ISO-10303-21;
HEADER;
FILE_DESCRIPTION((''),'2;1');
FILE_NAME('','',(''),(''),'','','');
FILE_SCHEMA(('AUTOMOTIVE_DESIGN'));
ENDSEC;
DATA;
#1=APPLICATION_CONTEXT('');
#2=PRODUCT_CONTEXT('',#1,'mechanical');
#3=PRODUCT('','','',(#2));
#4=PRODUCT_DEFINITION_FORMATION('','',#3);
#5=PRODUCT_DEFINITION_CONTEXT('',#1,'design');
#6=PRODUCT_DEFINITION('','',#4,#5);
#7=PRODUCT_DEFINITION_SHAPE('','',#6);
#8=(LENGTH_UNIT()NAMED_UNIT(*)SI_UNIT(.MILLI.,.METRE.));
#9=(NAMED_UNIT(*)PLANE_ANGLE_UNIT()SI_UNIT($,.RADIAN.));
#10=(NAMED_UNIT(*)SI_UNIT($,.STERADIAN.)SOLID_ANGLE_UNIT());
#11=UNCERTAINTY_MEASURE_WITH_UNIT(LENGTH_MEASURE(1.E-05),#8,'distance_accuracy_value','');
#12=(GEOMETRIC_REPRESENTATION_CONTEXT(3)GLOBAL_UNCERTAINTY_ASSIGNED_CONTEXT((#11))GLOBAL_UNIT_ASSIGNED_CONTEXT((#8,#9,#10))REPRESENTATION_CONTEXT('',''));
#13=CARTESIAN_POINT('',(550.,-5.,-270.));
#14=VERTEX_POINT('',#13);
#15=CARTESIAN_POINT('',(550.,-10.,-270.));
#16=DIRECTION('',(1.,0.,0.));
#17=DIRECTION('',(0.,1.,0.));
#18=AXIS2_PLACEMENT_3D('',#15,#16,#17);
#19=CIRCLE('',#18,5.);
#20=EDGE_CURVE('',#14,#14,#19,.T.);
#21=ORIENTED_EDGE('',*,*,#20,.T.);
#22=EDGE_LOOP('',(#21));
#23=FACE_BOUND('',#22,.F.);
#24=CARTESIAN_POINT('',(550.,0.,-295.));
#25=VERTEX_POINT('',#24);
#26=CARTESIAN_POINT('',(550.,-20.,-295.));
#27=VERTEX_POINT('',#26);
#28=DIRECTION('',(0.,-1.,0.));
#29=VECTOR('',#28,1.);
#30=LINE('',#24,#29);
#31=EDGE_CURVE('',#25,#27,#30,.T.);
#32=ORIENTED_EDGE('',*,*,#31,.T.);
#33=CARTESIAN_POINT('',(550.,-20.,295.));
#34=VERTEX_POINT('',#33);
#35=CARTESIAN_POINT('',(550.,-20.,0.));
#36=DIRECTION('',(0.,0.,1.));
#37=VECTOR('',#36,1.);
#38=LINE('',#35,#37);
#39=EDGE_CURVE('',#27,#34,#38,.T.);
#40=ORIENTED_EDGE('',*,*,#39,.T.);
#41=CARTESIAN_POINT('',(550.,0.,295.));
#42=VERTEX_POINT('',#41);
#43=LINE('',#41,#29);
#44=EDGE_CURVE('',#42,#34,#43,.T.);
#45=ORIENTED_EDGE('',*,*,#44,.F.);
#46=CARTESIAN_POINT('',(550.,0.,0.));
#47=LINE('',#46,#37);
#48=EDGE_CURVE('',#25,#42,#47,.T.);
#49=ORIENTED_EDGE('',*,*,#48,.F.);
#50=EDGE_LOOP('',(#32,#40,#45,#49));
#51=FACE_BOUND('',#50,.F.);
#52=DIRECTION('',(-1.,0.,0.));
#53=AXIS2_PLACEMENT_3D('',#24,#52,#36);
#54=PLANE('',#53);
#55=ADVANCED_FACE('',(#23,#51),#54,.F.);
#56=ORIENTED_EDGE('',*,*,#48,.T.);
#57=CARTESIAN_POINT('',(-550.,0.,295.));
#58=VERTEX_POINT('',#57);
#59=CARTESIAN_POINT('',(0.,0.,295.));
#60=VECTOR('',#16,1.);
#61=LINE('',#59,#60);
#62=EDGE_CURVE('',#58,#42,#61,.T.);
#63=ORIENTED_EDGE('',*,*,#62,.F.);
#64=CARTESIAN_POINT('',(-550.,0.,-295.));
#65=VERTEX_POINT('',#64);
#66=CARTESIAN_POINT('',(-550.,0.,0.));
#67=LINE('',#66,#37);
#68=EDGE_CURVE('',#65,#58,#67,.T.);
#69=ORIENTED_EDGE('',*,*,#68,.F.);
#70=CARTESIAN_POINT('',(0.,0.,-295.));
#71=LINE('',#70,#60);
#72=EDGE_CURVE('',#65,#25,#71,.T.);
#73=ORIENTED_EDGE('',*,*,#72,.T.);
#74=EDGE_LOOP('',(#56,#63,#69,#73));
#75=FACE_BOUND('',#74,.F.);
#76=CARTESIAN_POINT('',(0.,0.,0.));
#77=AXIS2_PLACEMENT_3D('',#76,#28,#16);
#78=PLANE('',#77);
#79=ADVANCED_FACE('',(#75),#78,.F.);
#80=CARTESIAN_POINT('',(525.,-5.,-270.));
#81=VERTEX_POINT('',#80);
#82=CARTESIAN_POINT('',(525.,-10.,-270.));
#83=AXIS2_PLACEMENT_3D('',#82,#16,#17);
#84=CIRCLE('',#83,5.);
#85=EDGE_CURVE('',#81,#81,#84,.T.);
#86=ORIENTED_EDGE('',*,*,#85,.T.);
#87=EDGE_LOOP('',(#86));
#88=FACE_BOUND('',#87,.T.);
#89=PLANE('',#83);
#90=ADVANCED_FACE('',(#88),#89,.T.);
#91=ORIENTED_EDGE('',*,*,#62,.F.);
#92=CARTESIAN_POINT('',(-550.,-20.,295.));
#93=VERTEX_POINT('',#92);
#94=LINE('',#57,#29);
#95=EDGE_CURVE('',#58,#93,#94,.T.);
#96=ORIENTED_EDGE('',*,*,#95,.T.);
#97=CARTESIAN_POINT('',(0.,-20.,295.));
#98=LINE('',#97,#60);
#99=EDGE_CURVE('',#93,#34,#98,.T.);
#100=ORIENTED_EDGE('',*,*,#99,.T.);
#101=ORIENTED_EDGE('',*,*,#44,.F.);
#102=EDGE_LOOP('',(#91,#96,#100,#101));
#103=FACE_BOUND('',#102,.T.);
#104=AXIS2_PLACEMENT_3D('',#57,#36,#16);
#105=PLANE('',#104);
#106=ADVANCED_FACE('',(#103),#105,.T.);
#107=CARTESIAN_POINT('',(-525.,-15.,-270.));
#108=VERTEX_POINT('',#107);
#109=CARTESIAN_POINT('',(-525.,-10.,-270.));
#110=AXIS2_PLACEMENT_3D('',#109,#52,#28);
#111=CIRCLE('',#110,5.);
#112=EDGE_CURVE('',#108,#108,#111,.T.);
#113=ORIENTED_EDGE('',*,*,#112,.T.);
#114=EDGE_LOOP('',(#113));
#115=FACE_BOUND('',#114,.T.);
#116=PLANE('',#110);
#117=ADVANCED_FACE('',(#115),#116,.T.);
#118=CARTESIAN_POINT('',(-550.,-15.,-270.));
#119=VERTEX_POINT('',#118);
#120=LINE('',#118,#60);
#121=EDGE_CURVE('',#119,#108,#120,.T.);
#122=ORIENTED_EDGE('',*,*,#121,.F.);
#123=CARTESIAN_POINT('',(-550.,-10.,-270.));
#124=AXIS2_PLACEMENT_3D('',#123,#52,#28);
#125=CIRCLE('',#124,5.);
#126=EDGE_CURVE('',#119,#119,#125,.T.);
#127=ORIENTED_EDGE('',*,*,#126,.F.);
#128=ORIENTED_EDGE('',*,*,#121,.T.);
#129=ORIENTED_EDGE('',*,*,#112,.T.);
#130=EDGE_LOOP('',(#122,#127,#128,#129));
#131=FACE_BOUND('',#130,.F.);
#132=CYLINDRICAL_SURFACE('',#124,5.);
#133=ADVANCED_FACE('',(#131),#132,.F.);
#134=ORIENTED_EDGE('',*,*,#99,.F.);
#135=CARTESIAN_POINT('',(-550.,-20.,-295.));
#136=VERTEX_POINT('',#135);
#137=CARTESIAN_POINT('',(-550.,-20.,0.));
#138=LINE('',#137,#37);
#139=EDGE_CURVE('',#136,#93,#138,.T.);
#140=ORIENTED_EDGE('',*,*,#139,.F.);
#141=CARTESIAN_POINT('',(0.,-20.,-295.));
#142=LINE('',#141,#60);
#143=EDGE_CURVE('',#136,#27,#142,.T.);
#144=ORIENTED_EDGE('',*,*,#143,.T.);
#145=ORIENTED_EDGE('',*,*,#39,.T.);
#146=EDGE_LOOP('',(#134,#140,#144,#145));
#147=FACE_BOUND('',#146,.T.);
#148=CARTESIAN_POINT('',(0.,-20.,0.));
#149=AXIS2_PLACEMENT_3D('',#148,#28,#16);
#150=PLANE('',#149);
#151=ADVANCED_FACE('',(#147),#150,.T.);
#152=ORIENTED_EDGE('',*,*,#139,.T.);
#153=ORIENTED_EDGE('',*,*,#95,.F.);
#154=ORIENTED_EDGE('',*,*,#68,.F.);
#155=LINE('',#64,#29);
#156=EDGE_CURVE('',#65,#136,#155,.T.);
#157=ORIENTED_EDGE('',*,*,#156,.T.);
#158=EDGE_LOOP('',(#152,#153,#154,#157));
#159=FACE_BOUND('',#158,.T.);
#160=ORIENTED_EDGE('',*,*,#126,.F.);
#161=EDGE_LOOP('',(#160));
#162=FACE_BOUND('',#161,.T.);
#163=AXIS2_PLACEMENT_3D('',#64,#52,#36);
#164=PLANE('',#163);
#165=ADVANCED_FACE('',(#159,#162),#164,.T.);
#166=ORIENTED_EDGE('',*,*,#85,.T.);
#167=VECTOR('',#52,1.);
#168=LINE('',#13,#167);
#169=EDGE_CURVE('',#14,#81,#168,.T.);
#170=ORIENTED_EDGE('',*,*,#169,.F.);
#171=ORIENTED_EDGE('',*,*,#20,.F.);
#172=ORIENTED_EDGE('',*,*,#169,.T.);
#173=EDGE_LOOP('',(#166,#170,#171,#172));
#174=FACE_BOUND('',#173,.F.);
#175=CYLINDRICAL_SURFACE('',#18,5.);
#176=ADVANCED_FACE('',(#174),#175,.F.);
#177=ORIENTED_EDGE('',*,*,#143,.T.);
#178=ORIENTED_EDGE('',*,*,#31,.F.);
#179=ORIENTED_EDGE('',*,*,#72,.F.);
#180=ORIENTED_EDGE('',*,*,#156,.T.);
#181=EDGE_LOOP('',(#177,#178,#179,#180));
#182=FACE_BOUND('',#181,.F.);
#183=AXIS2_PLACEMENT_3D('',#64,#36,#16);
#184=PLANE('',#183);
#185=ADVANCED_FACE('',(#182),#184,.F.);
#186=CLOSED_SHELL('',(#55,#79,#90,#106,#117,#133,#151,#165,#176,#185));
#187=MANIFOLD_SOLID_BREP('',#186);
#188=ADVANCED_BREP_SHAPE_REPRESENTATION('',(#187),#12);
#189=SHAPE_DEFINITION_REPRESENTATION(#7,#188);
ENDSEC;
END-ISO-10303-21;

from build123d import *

# Parameters (mm, degrees)
F0_W     = 1100
F0_H     = 590
F1_DEPTH = 20
F2_R     = 5
F3_DEPTH = 25
F4_R     = 5
F5_DEPTH = 25


with BuildPart() as f1:
    # F0 (on Front) → F1 (new body)
    with BuildSketch(Plane.XZ):
        Rectangle(F0_W, F0_H)
    extrude(amount=F1_DEPTH)

    # F2 (on face) → F3 (cut)
    with BuildSketch(Plane.YZ.offset(550)):
        with Locations((-10, -270)):
            Circle(F2_R)
    extrude(amount=-F3_DEPTH, mode=Mode.SUBTRACT)

    # F4 (on face) → F5 (cut)
    with BuildSketch(Plane(origin=(-550, 0, 0), x_dir=(0, -1, 0), z_dir=(-1, 0, 0))):
        with Locations((10, -270)):
            Circle(F4_R)
    extrude(amount=-F5_DEPTH, mode=Mode.SUBTRACT)


solid = f1.part
